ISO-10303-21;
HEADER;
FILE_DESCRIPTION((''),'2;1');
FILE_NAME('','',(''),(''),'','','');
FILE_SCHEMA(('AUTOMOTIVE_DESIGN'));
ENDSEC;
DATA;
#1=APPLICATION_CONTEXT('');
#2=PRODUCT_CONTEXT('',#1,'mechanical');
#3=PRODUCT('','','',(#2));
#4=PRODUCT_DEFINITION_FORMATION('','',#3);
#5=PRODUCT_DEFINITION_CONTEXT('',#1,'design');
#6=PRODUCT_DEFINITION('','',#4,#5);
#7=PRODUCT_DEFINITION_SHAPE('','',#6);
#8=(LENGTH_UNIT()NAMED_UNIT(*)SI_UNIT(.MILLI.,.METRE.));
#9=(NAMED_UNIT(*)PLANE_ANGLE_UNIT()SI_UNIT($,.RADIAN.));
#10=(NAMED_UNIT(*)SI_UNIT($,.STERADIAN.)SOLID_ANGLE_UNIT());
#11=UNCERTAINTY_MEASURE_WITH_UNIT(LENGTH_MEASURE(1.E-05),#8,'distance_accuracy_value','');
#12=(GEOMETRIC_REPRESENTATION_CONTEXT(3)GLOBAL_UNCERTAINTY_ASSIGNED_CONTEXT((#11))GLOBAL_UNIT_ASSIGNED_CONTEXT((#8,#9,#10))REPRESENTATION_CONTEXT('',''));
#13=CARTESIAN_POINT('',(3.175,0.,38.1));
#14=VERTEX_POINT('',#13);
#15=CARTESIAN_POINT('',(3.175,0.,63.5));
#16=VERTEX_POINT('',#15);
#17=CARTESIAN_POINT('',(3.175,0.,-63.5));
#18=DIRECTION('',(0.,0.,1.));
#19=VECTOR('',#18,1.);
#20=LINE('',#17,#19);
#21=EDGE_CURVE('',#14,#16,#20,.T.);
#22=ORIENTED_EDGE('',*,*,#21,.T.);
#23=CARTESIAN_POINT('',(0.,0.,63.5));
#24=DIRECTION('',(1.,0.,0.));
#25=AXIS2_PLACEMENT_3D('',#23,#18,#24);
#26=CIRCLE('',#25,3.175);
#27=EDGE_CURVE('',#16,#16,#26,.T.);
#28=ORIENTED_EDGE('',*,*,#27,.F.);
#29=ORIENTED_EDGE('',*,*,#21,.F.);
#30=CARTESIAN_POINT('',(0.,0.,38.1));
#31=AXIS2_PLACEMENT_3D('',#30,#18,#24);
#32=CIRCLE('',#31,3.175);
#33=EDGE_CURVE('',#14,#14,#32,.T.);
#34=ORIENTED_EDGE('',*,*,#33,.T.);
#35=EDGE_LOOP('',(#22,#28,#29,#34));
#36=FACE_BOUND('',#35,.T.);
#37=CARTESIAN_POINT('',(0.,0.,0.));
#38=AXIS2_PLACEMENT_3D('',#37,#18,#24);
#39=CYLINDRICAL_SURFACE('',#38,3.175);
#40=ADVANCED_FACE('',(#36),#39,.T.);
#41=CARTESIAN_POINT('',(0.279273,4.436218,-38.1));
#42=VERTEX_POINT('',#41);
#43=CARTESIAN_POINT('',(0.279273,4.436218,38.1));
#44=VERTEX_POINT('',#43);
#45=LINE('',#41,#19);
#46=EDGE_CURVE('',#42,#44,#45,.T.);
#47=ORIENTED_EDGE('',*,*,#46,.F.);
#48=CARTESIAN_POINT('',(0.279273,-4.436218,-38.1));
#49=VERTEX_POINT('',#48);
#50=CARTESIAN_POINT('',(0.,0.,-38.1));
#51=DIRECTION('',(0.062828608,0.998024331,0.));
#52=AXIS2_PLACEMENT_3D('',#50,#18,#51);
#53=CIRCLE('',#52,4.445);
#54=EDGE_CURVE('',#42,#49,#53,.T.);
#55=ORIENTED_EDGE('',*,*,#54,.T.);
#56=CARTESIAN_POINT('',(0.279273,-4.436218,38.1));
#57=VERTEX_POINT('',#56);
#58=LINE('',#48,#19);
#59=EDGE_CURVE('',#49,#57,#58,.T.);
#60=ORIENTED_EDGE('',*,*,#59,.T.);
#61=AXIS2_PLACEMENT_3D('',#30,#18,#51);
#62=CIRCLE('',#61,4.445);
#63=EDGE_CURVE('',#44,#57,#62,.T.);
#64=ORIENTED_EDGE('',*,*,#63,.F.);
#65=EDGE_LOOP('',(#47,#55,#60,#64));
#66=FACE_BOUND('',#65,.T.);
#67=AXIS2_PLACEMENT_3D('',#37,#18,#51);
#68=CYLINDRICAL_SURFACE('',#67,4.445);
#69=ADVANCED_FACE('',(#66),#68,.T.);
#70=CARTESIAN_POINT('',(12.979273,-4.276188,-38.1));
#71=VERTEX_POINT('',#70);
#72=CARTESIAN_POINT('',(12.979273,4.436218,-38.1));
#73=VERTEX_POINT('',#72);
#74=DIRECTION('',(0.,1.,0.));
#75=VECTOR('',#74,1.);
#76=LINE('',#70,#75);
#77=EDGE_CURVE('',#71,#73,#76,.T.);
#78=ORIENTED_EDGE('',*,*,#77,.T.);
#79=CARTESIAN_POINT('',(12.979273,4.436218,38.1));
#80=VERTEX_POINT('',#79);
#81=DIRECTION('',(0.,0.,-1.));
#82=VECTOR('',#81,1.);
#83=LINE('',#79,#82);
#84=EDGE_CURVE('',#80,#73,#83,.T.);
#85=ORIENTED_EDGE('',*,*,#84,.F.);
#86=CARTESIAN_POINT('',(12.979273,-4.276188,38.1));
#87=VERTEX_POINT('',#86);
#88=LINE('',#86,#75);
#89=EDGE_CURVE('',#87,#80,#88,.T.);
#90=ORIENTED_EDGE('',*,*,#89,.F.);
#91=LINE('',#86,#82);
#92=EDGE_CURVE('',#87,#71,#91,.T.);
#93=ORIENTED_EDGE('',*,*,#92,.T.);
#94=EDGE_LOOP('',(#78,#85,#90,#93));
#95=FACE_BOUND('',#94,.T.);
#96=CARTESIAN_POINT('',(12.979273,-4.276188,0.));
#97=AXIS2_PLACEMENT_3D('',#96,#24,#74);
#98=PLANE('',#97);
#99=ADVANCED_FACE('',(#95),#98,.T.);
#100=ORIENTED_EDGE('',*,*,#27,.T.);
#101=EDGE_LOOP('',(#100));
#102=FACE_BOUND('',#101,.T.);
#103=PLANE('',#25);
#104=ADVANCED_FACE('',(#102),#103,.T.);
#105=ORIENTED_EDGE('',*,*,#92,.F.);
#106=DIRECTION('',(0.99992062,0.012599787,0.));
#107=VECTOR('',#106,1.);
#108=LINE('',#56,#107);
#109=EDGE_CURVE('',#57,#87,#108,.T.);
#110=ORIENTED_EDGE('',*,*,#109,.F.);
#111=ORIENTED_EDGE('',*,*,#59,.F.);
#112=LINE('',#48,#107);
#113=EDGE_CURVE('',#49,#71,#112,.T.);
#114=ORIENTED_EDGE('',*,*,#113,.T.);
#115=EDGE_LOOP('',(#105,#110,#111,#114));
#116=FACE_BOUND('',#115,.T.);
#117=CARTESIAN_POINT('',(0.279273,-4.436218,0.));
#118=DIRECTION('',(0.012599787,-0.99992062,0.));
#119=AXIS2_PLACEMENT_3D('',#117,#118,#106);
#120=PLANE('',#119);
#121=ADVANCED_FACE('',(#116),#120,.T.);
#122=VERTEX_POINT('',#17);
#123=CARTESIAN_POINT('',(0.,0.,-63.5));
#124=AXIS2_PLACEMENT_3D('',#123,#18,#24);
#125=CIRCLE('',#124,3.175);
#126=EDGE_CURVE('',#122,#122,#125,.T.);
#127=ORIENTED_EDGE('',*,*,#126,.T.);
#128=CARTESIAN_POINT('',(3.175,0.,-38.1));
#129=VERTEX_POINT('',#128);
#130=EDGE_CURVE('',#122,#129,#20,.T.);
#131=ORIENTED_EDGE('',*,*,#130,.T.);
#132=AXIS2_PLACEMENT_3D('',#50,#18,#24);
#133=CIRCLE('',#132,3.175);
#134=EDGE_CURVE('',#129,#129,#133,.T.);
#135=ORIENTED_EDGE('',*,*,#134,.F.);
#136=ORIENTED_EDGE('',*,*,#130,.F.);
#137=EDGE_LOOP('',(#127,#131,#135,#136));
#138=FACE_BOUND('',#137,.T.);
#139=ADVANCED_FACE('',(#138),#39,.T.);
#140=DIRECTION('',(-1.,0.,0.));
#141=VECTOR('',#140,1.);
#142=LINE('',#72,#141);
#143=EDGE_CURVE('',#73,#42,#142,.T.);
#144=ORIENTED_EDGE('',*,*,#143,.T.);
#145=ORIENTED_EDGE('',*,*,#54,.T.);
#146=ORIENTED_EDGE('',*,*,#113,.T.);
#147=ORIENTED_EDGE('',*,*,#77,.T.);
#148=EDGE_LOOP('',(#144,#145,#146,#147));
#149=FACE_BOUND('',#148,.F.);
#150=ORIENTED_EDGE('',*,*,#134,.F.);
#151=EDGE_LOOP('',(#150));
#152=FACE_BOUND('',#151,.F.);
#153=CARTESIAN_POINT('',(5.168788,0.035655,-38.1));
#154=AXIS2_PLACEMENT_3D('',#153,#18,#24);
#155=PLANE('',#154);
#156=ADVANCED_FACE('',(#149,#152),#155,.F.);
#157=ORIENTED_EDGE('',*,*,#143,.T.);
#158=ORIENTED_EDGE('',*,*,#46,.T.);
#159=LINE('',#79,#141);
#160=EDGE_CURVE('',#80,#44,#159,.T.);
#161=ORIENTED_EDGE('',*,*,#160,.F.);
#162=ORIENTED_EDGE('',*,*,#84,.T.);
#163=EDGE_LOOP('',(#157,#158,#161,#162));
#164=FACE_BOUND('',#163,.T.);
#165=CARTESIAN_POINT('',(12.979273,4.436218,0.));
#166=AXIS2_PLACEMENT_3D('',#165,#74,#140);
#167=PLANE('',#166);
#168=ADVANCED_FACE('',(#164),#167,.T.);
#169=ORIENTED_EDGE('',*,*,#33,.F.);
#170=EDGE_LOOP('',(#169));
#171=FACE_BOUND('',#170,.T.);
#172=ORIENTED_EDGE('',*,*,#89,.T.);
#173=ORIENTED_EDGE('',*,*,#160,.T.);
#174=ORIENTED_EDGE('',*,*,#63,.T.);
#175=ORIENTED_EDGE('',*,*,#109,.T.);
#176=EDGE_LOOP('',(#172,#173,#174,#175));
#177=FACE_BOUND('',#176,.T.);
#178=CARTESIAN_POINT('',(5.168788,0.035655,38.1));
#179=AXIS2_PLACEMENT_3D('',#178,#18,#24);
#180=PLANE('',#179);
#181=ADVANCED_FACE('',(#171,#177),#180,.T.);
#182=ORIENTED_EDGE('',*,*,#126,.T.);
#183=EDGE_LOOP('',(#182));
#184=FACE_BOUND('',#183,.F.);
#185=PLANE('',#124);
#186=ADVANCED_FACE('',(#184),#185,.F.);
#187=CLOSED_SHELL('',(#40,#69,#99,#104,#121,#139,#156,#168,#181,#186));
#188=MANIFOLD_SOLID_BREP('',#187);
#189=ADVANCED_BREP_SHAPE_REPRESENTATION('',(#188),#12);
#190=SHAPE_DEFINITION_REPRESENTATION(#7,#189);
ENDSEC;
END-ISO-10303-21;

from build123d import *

# Parameters (mm, degrees)
F0_R     = 3.175
F1_DEPTH = 63.5
F2_DEPTH = 38.1


with BuildPart() as f1:
    # F0 (on Top) → F1 (new body, symmetric)
    with BuildSketch(Plane.XY):
        Circle(F0_R)
    extrude(amount=F1_DEPTH, both=True)

    # F0 (on Top) → F2 (join, symmetric)
    with BuildSketch(Plane.XY):
        with BuildLine():
            Line((12.979273, 4.436218), (0.279273, 4.436218))
            ThreePointArc((0.279273, 4.436218), (-4.445, 0), (0.279273, -4.436218))
            Line((0.279273, -4.436218), (12.979273, -4.276188))
            Line((12.979273, -4.276188), (12.979273, 4.436218))
        make_face()
        Circle(F0_R, mode=Mode.SUBTRACT)
    extrude(amount=F2_DEPTH, both=True)


solid = f1.part
